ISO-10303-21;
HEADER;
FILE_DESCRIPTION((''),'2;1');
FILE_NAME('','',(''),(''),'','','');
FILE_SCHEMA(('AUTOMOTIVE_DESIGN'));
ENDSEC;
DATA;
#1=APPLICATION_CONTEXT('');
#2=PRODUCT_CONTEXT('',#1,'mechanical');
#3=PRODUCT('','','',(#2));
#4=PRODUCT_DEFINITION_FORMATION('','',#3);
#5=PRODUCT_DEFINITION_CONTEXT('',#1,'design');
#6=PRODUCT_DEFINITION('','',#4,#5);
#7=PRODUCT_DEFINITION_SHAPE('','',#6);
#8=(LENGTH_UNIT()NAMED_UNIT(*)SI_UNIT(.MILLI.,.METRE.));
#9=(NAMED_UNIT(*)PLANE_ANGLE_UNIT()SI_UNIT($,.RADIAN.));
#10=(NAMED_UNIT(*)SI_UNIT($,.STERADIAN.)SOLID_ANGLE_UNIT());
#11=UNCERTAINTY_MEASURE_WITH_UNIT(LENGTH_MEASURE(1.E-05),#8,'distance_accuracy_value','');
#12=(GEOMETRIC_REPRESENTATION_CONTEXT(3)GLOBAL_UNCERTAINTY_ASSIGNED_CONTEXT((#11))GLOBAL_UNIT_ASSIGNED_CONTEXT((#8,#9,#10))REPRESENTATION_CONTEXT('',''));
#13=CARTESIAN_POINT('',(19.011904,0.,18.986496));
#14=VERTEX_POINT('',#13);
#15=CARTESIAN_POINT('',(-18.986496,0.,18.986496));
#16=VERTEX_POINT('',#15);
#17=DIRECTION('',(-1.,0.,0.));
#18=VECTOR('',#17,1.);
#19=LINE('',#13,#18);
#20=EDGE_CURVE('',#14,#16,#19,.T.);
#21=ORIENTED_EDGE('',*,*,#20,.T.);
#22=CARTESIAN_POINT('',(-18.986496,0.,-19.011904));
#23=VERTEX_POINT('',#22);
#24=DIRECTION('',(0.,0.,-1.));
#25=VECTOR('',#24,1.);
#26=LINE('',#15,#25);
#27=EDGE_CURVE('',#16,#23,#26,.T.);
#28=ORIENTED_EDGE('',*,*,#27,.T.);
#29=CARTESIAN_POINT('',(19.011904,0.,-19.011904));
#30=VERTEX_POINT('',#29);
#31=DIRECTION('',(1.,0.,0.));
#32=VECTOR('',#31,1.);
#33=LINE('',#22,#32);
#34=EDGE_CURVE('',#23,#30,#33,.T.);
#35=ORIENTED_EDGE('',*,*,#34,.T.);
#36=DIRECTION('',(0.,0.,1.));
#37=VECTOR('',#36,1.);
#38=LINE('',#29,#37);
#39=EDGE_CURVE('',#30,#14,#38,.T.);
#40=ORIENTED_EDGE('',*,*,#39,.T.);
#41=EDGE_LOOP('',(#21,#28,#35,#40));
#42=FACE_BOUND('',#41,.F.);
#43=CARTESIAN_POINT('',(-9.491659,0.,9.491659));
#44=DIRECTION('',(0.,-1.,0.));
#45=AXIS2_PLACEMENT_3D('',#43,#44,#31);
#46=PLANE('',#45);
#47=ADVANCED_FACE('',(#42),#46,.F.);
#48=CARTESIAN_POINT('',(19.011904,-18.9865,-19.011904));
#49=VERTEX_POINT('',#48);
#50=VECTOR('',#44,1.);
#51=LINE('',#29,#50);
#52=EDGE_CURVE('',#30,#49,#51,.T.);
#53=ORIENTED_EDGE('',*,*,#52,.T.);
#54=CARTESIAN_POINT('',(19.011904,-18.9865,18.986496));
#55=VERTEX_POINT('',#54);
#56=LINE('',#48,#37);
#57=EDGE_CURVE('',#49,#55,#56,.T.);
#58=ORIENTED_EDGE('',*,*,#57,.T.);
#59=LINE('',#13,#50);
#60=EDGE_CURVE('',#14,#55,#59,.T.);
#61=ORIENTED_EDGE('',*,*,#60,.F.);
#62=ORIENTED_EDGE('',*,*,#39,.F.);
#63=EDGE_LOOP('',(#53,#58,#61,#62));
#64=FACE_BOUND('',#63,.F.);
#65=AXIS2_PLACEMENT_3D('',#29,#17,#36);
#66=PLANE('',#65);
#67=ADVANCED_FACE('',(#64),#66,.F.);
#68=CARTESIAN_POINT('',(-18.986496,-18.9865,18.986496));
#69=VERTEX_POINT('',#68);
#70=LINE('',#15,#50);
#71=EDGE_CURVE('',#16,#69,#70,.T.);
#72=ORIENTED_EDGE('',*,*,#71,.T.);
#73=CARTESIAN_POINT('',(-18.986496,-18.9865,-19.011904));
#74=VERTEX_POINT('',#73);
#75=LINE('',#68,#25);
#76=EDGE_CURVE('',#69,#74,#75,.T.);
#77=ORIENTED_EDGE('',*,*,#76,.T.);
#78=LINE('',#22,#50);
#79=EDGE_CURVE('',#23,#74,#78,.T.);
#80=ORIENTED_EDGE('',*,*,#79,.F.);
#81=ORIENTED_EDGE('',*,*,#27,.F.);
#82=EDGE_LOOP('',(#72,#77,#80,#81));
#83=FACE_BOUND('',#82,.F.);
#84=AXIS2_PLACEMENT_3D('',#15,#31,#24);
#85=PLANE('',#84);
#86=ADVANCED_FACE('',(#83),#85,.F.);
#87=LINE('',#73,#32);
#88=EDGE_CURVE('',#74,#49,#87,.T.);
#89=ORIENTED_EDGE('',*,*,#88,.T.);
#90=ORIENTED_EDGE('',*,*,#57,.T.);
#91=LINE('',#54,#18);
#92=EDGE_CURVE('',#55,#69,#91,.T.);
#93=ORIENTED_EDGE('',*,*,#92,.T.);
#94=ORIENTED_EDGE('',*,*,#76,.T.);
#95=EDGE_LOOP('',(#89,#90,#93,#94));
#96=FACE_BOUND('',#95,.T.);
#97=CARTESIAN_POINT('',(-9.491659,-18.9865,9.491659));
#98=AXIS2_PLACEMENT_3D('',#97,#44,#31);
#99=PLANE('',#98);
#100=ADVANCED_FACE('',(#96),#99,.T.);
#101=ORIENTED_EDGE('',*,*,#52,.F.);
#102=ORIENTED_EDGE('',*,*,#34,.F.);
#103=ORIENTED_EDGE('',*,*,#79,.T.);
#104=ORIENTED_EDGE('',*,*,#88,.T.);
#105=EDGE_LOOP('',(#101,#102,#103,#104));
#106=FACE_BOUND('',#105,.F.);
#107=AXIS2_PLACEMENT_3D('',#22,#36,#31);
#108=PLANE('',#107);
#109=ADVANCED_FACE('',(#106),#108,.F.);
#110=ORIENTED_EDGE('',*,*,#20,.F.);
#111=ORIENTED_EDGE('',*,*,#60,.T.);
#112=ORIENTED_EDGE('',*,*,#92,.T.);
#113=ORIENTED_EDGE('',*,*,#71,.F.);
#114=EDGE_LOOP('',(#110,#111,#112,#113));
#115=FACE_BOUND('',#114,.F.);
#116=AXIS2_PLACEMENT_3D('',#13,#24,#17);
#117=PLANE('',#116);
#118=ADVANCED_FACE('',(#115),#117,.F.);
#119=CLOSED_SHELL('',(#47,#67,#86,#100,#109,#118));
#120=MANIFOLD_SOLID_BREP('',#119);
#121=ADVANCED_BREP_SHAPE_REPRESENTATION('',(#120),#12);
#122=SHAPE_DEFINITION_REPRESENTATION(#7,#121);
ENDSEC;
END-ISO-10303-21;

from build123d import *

# Parameters (mm, degrees)
F1_DEPTH = 18.9865


with BuildPart() as f1:
    # F0 (on Front) → F1 (new body)
    with BuildSketch(Plane.XZ):
        Polygon((0.012704, 18.986496), (-18.986496, 18.986496), (-18.986496, -0.012704), (0, 0), align=None)
        Polygon((19.011904, 18.986496), (0.012704, 18.986496), (0, 0), (19.011904, -0.012704), align=None)
        Polygon((0, 0), (-18.986496, -0.012704), (-18.986496, -19.011904), (0.012704, -19.011904), align=None)
        Polygon((19.011904, -0.012704), (0, 0), (0.012704, -19.011904), (19.011904, -19.011904), align=None)
    extrude(amount=F1_DEPTH)


solid = f1.part
